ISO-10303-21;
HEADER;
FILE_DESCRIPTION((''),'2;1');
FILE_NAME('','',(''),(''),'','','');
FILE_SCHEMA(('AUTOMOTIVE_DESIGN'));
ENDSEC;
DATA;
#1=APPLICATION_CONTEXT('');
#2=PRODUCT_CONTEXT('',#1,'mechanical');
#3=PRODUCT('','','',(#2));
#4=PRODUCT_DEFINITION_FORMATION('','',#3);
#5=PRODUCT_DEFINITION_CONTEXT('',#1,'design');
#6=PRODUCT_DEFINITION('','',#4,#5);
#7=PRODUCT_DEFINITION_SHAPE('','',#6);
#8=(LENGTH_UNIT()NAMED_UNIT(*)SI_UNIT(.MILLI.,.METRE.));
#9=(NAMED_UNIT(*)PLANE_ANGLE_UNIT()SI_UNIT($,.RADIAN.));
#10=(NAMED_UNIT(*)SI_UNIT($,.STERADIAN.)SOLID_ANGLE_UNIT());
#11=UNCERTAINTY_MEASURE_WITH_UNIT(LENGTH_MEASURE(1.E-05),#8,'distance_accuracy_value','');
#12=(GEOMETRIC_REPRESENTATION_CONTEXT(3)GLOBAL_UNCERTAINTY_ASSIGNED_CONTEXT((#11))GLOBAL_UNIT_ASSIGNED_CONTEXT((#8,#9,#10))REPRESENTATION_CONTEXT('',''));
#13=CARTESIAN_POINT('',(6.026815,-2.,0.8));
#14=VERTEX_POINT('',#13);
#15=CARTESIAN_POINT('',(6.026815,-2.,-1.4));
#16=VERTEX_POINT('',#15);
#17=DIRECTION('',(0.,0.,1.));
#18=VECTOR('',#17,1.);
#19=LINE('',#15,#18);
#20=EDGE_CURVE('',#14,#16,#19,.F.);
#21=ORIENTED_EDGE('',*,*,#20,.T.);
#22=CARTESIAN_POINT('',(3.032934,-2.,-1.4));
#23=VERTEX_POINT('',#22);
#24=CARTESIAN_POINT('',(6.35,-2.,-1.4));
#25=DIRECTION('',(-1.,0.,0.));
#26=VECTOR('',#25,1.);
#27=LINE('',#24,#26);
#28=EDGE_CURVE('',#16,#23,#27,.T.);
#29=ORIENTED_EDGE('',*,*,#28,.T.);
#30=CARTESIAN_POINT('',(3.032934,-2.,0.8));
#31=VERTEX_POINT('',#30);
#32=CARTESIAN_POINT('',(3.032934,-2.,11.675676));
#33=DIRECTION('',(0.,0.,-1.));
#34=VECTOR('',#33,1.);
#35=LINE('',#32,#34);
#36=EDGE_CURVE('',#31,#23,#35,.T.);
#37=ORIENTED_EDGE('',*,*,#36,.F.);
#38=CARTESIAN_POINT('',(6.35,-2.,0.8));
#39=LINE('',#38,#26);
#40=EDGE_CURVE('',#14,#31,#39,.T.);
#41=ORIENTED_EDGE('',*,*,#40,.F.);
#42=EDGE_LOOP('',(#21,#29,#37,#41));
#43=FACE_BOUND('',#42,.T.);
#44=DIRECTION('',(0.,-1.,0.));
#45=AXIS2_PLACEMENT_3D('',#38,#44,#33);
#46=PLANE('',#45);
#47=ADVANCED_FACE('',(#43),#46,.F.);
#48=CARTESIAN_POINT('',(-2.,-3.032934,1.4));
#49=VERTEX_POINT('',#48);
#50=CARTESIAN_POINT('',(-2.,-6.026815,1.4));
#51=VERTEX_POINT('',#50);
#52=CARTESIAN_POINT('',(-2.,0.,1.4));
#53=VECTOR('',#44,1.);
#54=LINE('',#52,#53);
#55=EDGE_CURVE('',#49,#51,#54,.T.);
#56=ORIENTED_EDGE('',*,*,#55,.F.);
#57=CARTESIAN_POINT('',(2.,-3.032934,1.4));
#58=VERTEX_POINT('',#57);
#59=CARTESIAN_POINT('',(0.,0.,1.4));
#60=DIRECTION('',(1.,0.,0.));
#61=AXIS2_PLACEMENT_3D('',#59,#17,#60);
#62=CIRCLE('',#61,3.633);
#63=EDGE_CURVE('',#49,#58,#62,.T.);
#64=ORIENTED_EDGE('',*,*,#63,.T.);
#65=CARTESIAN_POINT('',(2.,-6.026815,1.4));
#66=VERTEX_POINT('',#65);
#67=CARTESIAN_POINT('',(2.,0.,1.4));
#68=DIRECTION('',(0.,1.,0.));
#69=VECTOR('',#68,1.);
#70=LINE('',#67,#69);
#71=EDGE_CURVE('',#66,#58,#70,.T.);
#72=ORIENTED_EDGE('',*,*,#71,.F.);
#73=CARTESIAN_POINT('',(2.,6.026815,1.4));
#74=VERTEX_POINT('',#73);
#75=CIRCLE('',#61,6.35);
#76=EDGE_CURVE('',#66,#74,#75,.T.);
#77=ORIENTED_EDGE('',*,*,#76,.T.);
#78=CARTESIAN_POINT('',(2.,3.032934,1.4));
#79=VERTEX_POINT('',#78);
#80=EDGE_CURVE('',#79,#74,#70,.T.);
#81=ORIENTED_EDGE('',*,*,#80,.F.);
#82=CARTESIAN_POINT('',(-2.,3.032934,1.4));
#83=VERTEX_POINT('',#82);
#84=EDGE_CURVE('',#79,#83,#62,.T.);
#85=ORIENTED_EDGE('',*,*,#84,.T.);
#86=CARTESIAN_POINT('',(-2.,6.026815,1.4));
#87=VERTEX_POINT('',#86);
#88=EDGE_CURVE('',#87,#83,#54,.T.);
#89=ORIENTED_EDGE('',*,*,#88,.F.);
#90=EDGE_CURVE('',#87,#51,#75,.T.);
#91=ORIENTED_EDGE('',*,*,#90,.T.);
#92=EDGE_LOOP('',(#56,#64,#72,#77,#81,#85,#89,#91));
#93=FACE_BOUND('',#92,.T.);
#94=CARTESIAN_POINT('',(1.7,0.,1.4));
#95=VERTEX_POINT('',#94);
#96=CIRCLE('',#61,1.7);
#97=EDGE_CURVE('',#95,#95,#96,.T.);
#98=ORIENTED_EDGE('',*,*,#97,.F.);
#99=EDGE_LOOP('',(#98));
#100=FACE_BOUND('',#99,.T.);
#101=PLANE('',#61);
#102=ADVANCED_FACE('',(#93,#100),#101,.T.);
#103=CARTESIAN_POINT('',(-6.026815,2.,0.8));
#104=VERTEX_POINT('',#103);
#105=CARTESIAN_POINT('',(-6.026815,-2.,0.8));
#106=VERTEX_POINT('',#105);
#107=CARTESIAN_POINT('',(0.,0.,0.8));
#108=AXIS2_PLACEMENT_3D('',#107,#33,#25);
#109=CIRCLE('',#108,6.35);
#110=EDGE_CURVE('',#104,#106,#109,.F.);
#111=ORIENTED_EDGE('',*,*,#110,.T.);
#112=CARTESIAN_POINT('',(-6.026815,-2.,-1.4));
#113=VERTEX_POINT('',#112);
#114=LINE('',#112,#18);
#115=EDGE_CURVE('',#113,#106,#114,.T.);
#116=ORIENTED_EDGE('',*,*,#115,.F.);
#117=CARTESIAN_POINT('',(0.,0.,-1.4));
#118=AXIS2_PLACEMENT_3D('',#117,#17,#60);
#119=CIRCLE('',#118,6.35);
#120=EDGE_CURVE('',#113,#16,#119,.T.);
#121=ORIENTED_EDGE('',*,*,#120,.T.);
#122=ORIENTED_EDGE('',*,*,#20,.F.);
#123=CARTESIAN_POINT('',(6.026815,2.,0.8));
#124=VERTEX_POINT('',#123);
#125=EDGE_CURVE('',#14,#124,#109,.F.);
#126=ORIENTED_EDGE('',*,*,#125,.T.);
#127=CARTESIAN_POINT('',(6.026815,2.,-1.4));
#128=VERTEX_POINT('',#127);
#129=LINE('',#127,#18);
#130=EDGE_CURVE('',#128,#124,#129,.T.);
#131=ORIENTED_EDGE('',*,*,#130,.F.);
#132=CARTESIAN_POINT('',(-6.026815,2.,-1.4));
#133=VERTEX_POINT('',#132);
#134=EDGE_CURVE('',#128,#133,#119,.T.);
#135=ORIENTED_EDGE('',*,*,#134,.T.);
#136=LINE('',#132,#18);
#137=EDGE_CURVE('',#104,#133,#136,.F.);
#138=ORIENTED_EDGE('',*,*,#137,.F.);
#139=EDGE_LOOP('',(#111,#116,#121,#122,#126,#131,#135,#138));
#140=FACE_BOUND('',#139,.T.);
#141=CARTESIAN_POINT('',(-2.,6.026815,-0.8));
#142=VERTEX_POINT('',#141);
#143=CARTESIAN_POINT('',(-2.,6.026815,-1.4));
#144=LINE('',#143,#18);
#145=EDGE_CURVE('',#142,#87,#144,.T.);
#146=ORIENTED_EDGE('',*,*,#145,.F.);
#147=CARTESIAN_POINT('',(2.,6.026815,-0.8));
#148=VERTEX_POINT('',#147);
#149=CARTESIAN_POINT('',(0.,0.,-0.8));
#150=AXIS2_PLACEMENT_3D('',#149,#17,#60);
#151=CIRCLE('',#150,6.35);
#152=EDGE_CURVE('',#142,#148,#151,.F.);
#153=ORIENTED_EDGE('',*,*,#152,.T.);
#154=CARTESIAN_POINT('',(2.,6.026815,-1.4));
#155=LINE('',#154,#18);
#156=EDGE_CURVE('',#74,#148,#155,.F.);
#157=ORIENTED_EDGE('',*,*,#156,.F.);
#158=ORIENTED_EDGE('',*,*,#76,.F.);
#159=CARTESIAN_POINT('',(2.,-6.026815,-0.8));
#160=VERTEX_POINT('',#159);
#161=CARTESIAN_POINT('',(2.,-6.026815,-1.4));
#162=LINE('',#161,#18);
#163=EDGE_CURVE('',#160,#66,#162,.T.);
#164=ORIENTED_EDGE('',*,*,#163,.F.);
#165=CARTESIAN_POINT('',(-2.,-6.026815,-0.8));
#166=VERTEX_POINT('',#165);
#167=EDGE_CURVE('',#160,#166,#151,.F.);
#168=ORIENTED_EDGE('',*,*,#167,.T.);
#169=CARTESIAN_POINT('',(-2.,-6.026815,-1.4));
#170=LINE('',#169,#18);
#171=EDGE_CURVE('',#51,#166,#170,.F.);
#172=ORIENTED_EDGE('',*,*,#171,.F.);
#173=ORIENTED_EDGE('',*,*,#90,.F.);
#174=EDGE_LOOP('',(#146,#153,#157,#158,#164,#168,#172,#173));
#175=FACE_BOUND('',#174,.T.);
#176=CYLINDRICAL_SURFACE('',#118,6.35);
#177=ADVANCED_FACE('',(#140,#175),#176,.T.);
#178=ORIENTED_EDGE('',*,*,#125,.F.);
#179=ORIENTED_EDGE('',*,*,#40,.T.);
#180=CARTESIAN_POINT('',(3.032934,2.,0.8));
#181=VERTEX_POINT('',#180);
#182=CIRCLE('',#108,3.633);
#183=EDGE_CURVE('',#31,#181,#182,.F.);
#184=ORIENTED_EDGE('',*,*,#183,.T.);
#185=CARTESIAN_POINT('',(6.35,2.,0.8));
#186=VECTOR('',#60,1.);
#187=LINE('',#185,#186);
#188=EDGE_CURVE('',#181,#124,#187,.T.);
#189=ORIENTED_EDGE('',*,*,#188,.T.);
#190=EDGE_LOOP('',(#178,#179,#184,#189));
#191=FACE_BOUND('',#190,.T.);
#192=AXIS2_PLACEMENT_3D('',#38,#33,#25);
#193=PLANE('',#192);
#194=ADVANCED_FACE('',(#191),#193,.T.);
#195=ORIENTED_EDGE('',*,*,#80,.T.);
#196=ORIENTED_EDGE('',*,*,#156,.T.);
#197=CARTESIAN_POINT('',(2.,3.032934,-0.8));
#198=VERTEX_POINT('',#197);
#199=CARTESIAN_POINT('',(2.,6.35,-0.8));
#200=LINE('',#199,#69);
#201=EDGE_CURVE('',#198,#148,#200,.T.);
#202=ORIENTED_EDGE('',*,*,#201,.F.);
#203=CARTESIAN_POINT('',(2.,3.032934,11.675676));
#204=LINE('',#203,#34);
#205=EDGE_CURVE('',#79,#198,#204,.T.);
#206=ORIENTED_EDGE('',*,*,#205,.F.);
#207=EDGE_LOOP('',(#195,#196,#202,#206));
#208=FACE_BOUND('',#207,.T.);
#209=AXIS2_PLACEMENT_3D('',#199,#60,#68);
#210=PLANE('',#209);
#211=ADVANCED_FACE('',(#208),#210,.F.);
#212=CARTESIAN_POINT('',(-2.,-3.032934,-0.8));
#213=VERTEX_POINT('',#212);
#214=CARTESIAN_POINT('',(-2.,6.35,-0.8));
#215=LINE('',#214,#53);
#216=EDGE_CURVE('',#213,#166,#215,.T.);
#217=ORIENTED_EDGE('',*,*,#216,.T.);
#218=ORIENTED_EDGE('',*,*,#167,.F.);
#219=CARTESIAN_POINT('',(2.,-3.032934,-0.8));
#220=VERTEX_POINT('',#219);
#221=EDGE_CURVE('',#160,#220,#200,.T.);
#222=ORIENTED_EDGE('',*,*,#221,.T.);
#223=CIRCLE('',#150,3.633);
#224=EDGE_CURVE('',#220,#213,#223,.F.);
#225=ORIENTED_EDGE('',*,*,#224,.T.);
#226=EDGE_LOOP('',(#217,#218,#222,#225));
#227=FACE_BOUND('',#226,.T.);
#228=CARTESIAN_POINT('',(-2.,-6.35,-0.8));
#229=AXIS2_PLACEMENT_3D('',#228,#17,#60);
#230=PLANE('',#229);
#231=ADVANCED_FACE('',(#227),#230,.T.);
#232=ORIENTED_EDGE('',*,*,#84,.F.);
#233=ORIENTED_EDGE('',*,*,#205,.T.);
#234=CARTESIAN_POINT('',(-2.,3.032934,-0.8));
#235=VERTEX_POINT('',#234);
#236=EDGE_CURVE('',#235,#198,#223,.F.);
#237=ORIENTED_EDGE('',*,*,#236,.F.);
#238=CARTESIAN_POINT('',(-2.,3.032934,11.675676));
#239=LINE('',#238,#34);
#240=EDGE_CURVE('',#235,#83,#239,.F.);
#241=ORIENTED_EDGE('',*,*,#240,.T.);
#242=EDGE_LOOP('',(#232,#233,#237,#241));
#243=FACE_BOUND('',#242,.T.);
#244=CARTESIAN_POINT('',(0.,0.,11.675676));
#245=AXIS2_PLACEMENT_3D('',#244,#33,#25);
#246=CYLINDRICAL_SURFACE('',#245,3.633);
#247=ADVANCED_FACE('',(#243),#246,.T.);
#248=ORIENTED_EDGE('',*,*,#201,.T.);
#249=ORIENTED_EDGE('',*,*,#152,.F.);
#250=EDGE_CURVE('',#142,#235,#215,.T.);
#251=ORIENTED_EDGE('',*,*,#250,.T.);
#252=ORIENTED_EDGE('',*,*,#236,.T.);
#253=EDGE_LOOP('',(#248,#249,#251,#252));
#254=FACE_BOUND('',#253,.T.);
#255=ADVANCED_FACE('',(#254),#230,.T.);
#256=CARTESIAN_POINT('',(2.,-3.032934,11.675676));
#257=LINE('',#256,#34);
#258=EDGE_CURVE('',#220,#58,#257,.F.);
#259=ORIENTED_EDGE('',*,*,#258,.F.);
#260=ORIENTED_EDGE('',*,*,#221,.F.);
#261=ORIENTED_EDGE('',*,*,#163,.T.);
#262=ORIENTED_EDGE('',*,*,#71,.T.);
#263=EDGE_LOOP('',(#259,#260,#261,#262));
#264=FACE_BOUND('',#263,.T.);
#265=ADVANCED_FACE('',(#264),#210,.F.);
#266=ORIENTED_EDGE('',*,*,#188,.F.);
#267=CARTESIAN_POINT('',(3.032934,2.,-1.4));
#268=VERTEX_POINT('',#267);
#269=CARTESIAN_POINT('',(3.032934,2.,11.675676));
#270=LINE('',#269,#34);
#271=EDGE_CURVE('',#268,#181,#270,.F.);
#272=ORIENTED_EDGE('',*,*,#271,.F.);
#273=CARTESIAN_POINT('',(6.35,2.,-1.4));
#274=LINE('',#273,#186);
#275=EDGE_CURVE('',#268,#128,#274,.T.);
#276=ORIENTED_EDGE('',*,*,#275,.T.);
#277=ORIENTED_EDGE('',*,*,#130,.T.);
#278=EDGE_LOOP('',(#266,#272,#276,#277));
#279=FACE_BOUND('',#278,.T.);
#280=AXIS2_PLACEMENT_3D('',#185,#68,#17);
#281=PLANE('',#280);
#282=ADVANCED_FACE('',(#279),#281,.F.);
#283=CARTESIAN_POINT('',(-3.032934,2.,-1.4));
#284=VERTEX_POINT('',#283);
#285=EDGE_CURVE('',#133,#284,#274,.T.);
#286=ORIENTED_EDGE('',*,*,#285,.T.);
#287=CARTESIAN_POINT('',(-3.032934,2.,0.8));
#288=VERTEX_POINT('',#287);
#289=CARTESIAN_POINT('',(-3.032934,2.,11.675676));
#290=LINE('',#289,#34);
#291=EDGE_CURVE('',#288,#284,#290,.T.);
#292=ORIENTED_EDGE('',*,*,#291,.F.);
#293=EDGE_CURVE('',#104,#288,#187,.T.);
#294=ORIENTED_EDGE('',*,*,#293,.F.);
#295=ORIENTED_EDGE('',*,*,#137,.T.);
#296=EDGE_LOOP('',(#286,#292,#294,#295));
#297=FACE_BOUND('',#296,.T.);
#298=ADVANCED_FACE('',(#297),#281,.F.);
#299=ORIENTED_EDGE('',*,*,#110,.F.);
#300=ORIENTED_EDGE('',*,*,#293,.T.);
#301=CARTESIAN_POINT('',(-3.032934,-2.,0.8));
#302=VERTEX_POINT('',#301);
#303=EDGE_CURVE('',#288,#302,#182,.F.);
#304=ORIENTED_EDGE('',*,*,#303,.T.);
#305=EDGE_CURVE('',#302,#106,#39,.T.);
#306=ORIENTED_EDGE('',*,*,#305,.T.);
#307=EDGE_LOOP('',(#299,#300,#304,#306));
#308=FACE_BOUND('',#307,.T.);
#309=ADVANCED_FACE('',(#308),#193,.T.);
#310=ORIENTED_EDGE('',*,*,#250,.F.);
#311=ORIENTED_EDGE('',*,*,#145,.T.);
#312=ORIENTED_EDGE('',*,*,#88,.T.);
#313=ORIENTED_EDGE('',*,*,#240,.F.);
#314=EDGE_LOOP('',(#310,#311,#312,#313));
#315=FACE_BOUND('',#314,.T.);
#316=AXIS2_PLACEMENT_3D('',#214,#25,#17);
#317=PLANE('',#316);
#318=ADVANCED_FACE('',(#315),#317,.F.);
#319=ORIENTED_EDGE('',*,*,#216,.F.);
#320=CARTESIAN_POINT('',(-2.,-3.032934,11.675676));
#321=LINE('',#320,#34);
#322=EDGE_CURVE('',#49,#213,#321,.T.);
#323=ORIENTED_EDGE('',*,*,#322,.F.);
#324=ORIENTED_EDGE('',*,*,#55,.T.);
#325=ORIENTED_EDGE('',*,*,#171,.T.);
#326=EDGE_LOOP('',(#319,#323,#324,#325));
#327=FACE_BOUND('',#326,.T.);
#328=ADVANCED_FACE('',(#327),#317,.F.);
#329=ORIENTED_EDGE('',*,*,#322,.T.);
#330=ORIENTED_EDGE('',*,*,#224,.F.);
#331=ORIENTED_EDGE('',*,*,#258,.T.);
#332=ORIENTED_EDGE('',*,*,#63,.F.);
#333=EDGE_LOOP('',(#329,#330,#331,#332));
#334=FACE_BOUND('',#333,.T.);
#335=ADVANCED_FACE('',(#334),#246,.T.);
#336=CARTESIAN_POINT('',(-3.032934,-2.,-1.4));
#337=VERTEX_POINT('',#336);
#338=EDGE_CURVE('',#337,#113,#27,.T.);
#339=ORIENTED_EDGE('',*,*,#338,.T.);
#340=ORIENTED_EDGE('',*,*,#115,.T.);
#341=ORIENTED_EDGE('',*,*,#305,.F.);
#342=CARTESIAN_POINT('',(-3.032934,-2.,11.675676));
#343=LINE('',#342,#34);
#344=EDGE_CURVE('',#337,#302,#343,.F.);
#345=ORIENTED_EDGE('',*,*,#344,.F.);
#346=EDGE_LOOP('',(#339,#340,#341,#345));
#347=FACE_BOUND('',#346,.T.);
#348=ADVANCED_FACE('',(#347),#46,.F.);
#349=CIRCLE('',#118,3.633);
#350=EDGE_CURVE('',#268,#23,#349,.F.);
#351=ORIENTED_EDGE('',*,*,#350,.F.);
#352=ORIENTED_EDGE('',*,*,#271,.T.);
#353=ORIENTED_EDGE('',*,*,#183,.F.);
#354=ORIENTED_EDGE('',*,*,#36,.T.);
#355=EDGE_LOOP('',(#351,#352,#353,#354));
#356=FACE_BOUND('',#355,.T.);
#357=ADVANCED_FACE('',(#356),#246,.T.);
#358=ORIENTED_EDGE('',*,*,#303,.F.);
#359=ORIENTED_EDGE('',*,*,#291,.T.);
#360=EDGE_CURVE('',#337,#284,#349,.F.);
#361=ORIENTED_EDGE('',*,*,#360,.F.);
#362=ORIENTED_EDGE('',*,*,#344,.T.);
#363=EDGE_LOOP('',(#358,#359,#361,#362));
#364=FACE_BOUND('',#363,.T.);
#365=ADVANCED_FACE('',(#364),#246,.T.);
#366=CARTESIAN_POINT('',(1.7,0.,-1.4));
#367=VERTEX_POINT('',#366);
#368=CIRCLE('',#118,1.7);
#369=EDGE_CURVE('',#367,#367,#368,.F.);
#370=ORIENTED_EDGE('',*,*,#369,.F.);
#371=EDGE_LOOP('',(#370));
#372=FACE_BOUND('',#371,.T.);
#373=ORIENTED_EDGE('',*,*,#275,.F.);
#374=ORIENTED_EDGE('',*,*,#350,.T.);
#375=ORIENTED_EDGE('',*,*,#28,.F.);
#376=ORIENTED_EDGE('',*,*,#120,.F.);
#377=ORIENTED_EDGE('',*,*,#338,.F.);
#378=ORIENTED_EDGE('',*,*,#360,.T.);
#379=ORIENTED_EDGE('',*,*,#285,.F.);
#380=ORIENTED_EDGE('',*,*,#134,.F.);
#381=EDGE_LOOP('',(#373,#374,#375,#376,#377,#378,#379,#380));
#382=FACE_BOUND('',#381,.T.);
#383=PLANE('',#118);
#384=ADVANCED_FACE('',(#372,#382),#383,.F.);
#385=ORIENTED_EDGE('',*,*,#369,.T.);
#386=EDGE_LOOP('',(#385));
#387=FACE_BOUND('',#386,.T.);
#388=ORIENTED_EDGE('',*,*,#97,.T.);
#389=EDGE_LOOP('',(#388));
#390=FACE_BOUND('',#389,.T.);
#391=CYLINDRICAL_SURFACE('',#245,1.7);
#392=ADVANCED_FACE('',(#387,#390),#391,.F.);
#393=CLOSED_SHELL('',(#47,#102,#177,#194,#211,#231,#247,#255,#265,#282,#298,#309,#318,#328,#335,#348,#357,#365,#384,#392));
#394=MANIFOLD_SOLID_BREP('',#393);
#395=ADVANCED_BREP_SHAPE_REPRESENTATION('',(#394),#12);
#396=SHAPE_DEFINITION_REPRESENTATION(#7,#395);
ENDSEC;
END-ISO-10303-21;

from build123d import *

# Parameters (mm, degrees)
SKETCH1_R                       = 6.35
BOSS_EXTRUDE1_DEPTH             = 1.4
SKETCH2_W                       = 4
SKETCH2_H                       = 12.7
CUT_EXTRUDE1_DEPTH              = 2.2
SKETCH3_W                       = 12.7
SKETCH3_H                       = 4
CUT_EXTRUDE2_DEPTH              = 2.2
BOSS_EXTRUDE2_REACH             = 11.246
SKETCH9_R                       = 3.633
SKETCH9_R_2                     = 1.7
BOSS_EXTRUDE2_DIRECTION_2_REACH = 11.246


with BuildPart() as part:
    # Sketch1 → Boss-Extrude1 (new, symmetric)
    with BuildSketch(Plane.XY):
        Circle(SKETCH1_R)
    extrude(amount=BOSS_EXTRUDE1_DEPTH, both=True)

    # Sketch2 → Cut-Extrude1 (cut)
    with BuildSketch(Plane.XY.offset(1.4)):
        Rectangle(SKETCH2_W, SKETCH2_H)
    extrude(amount=-CUT_EXTRUDE1_DEPTH, mode=Mode.SUBTRACT)

    # Sketch3 → Cut-Extrude2 (cut)
    with BuildSketch(Plane(origin=(0, 0, -1.4), x_dir=(-1, 0, 0), z_dir=(0, 0, -1))):
        Rectangle(SKETCH3_W, SKETCH3_H)
    extrude(amount=-CUT_EXTRUDE2_DEPTH, mode=Mode.SUBTRACT)

    # Boss-Extrude2: up to this face of the body (flat: up to its plane)
    boss_extrude2_end = Plane(part.part.faces().sort_by_distance((-3.803983963, 0, 1.4))[0])
    # Sketch9 → Boss-Extrude2 (add, up to the picked face)
    with BuildSketch(Plane.XY.offset(-0.8), mode=Mode.PRIVATE) as boss_extrude2_sk1:
        Circle(SKETCH9_R)
        Circle(SKETCH9_R_2, mode=Mode.SUBTRACT)
    boss_extrude2_tool1 = split(extrude(boss_extrude2_sk1.sketch, amount=BOSS_EXTRUDE2_REACH, mode=Mode.PRIVATE), bisect_by=boss_extrude2_end, keep=Keep.BOTH, mode=Mode.PRIVATE)
    add(boss_extrude2_tool1.solids().sort_by(Axis((-3.530243, 0, -0.8), (0, 0, 1)))[0])

    # Boss-Extrude2 direction 2: up to this face of the body (flat: up to its plane)
    boss_extrude2_direction_2_end = Plane(part.part.faces().sort_by_distance((0, 3.803983963, -1.4))[0])
    # Sketch9 → Boss-Extrude2 direction 2 (add, up to the picked face)
    with BuildSketch(Plane.XY.offset(-0.8), mode=Mode.PRIVATE) as boss_extrude2_direction_2_sk1:
        Circle(SKETCH9_R)
        Circle(SKETCH9_R_2, mode=Mode.SUBTRACT)
    boss_extrude2_direction_2_tool1 = split(extrude(boss_extrude2_direction_2_sk1.sketch, amount=-BOSS_EXTRUDE2_DIRECTION_2_REACH, mode=Mode.PRIVATE), bisect_by=boss_extrude2_direction_2_end, keep=Keep.BOTH, mode=Mode.PRIVATE)
    add(boss_extrude2_direction_2_tool1.solids().sort_by(Axis((-3.530243, 0, -0.8), (0, 0, -1)))[0])


solid = part.part
